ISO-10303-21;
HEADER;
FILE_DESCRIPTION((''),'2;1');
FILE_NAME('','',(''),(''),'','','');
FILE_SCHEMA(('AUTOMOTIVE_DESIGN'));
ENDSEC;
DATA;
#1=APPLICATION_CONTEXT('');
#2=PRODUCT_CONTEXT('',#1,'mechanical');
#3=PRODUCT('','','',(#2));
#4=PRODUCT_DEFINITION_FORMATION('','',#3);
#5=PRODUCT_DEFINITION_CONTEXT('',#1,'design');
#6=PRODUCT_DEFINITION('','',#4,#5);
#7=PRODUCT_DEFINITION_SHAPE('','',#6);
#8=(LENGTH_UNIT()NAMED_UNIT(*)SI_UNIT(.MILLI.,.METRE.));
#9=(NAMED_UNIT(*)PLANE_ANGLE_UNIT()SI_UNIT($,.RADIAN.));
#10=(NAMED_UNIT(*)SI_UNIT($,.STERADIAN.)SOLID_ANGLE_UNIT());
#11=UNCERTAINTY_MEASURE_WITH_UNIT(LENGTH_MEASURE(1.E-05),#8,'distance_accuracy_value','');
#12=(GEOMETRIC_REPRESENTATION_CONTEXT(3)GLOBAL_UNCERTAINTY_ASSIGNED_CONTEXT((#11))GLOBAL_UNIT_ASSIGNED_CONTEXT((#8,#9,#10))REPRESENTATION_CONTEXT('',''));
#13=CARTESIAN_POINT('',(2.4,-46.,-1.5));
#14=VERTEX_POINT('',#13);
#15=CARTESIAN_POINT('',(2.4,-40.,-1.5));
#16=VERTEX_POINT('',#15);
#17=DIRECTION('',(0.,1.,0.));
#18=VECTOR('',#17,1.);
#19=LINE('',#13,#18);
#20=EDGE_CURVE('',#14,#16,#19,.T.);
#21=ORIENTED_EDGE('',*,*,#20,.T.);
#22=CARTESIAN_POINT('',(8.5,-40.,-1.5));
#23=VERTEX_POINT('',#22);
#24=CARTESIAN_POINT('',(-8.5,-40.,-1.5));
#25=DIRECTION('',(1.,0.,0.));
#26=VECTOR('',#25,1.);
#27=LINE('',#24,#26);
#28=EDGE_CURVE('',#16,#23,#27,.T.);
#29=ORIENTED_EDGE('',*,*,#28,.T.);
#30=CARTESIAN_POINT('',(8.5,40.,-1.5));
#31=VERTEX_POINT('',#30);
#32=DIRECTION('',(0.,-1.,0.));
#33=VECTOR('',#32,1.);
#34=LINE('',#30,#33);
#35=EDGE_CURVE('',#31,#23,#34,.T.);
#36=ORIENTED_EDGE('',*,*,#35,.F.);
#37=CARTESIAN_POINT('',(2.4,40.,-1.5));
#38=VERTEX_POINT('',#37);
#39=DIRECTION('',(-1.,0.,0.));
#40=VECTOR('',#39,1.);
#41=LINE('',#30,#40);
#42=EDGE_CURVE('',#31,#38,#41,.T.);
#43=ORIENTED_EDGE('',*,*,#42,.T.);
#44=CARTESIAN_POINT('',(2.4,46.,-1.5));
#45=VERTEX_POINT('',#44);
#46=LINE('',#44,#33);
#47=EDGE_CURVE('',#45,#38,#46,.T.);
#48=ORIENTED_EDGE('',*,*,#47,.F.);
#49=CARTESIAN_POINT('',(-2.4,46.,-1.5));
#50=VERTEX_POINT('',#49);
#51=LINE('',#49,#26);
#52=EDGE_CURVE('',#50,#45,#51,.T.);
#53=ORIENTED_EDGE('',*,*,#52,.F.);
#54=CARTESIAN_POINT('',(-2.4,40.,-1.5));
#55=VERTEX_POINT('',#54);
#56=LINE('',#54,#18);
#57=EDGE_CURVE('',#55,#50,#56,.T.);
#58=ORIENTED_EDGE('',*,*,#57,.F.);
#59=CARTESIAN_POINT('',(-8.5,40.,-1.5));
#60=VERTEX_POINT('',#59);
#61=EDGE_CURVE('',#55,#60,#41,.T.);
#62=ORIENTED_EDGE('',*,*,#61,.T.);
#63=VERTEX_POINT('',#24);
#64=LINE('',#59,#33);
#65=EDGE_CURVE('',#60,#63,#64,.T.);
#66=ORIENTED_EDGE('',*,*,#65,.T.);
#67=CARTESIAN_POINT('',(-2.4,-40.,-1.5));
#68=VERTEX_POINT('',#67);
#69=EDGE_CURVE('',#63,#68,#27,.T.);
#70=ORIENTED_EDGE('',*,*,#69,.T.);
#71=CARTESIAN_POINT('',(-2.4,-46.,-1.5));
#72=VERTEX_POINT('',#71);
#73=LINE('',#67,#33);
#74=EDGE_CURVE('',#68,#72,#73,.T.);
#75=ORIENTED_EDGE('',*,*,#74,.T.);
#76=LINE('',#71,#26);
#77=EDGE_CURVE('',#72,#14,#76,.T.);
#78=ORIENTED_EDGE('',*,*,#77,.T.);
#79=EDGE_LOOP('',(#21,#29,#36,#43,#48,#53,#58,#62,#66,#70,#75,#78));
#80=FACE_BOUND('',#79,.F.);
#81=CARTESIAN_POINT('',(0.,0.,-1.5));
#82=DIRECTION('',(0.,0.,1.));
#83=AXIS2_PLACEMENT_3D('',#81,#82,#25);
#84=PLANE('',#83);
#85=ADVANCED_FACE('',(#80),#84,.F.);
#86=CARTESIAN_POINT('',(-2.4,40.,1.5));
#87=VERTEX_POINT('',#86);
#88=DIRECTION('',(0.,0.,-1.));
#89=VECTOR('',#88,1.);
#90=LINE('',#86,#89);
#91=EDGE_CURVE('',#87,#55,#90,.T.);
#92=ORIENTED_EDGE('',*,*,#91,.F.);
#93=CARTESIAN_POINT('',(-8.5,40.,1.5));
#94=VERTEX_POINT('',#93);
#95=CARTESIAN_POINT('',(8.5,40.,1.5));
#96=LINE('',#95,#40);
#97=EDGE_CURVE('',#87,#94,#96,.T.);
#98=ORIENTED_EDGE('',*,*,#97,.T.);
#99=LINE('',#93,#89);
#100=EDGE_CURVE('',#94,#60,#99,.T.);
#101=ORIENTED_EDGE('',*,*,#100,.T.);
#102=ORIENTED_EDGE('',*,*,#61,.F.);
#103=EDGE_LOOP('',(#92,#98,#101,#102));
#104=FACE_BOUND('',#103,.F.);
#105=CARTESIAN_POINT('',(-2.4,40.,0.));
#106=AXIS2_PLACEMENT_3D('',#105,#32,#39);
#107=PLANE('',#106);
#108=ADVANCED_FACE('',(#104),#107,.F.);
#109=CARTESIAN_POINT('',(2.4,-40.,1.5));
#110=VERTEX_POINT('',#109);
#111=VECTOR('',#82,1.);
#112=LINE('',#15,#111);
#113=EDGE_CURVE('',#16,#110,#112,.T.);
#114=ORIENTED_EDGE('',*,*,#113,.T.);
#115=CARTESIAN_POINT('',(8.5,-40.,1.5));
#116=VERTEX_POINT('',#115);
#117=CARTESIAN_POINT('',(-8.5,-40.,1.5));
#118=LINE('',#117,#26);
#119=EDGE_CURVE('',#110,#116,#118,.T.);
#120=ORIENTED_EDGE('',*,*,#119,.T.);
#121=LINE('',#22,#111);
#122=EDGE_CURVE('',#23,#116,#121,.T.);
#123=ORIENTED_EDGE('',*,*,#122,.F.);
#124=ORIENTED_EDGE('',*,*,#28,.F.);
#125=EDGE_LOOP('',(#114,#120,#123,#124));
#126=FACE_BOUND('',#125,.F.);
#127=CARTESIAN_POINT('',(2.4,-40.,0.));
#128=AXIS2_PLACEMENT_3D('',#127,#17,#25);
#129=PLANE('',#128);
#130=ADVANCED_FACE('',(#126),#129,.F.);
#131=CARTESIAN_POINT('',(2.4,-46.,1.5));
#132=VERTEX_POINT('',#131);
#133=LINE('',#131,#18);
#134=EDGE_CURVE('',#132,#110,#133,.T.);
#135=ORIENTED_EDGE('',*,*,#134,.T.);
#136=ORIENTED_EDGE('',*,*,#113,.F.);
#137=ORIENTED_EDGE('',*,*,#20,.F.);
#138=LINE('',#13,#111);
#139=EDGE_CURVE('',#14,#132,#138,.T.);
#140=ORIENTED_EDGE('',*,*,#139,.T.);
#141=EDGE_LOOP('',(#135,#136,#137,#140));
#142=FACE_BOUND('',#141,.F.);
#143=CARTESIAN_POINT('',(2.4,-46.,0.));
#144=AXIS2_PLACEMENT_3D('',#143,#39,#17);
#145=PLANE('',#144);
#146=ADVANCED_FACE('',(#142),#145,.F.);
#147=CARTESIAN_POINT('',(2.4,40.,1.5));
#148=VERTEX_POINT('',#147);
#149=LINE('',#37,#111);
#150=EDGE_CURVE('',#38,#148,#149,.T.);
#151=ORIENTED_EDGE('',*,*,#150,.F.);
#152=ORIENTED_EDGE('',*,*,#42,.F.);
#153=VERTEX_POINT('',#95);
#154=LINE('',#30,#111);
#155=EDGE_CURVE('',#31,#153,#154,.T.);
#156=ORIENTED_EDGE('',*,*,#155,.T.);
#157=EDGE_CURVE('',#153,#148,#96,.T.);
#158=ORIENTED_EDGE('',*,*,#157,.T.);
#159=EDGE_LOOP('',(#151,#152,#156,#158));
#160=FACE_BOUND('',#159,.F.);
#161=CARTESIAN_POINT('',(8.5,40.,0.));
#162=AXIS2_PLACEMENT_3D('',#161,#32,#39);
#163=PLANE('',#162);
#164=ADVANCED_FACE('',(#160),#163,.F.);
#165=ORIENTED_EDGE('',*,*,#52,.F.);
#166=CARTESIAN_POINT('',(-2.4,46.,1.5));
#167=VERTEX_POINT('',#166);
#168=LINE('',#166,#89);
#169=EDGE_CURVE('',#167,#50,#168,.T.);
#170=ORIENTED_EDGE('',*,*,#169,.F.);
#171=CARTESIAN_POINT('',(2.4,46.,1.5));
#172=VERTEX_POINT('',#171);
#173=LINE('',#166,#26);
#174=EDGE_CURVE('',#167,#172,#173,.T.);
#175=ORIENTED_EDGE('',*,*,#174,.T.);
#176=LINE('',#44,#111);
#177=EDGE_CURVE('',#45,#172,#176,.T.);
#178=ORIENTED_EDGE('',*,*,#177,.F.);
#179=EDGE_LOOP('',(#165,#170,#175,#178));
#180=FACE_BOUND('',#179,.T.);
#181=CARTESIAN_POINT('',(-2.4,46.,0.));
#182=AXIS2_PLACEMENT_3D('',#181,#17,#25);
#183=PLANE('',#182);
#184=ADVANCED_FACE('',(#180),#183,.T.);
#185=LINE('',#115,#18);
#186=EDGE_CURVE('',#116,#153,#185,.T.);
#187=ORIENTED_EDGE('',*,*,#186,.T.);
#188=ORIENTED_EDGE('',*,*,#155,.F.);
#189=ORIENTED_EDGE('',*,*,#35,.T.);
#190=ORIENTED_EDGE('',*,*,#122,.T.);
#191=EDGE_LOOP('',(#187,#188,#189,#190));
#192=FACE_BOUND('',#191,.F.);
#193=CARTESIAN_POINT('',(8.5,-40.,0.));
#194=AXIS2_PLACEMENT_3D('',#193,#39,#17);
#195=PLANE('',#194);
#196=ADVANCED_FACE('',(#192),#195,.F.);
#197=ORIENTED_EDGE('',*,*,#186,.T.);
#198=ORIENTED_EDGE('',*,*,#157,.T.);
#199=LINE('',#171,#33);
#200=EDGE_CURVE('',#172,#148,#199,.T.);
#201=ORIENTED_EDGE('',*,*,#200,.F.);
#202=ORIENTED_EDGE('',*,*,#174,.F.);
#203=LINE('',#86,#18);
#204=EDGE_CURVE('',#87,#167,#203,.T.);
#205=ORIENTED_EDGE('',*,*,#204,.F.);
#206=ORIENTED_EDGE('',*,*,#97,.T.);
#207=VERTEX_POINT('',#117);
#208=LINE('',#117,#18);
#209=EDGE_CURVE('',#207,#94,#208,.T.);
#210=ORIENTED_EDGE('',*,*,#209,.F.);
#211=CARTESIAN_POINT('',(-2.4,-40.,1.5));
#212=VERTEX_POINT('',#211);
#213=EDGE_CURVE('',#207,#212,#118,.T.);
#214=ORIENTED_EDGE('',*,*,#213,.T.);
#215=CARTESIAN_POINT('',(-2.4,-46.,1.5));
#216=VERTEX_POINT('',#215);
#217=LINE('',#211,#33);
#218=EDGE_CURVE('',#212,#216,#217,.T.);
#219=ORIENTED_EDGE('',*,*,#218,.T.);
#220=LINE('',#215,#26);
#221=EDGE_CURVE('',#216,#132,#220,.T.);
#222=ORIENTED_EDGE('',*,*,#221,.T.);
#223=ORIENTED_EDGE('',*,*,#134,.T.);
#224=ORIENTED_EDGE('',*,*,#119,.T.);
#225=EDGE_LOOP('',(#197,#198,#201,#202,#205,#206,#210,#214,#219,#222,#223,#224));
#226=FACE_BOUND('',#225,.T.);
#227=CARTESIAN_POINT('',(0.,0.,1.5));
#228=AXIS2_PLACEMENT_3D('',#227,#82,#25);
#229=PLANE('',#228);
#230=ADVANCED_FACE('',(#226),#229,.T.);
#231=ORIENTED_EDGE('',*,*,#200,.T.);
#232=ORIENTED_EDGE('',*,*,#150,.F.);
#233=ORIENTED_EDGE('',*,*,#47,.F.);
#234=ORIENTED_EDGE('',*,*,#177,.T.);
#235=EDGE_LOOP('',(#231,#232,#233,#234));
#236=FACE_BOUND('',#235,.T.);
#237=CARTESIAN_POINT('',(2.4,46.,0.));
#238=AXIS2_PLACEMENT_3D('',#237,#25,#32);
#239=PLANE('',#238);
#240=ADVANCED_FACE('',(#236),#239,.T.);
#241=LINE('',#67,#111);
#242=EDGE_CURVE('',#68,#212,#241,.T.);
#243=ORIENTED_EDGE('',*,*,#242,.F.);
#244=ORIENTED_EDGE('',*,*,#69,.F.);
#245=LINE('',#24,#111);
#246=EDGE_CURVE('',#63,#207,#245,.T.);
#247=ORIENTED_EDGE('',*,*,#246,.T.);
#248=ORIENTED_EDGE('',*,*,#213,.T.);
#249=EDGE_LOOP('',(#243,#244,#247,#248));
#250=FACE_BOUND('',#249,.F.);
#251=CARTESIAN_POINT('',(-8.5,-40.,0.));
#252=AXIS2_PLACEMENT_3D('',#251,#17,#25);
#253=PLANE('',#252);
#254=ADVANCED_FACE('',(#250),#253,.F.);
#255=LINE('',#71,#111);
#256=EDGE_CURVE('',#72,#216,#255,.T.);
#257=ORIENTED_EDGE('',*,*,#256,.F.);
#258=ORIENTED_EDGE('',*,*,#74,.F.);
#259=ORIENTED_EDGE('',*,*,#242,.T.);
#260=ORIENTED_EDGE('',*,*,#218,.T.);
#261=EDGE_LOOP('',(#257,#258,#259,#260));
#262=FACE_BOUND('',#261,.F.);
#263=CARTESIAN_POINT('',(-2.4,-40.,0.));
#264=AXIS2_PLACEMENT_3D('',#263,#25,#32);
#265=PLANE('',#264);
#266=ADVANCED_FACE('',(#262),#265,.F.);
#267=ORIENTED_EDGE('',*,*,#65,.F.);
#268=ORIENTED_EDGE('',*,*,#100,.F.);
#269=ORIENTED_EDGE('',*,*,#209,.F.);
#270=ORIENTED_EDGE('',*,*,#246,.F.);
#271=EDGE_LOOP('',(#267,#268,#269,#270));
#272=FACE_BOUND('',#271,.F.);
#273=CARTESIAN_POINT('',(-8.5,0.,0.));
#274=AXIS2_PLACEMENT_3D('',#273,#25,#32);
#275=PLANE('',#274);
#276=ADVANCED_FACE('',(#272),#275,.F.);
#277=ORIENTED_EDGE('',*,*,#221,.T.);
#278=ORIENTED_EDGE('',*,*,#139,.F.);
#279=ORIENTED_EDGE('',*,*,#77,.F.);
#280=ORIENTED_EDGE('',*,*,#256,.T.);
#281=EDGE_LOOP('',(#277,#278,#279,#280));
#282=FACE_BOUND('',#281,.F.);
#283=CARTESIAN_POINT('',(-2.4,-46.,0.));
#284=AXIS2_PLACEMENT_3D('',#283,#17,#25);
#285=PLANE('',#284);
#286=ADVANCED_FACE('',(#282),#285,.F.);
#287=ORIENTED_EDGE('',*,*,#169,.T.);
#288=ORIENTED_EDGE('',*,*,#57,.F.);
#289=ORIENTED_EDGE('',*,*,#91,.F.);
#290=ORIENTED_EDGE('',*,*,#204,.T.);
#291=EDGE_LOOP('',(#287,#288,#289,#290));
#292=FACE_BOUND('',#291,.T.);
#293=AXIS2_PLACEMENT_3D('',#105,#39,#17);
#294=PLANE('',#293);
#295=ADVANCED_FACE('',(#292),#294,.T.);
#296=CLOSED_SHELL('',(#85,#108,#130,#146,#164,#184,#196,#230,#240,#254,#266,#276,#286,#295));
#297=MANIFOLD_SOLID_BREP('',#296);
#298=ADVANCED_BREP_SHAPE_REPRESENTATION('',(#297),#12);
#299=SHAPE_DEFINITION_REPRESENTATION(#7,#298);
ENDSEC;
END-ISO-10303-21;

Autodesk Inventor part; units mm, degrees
ref_plane "YZ Plane" through (0, 0, 0) normal (1, 0, 0) x (0, 1, 0)
ref_plane "XZ Plane" through (0, 0, 0) normal (0, 1, 0) x (-1, 0, 0)
ref_plane "XY Plane" through (0, 0, 0) normal (0, 0, 1) x (1, 0, 0)
sketch "Sketch1" plane through (0, 0, 0) normal (0, 0, 1) x (1, 0, 0)
  line L0 (-8.5, -40) -> (8.5, -40)
  line L1 (8.5, -40) -> (8.5, 40)
  line L2 (8.5, 40) -> (-8.5, 40)
  line L3 (-8.5, 40) -> (-8.5, -40)
  line L4 (-8.5, -40) -> (8.5, 40) construction
  line L5 (8.5, -40) -> (-8.5, 40) construction
  line L6 (-2.4, 46) -> (2.4, 46)
  line L7 (2.4, 46) -> (2.4, 40)
  line L8 (2.4, 40) -> (-2.4, 40)
  line L9 (-2.4, 40) -> (-2.4, 46)
  line L10 (-2.4, 46) -> (2.4, 40) construction
  line L11 (2.4, 46) -> (-2.4, 40) construction
  line L12 (-8.5, 0) -> (8.5, 0)
  line L13 (-2.4, -46) -> (2.4, -46)
  line L14 (2.4, -46) -> (2.4, -40)
  line L15 (2.4, -40) -> (-2.4, -40)
  line L16 (-2.4, -40) -> (-2.4, -46)
  line L17 (-2.4, -46) -> (2.4, -40) construction
  line L18 (2.4, -46) -> (-2.4, -40) construction
  point P0 (0, 0)
  point P1 (0, 43)
  point P2 (0, 40)
  point P3 (0, 40)
  point P4 (0, -43)
  point P5 (0, -40)
  point P6 (0, -40)
  point P7 (-2.4, -40)
  point P8 (2.4, -40)
  dimension "d0" = 17
  dimension "d1" = 80
  dimension "d2" = 4.8
  dimension "d3" = 6
extrude "Plate1" add sketch "Sketch1" along normal mid plane 3
equation "\"d4\" = Thickness"
equation "\"BendRadius\" = Thickness"
equation "\"BendReliefWidth\" = Thickness"
equation "\"BendReliefDepth\" = 0.5 * Thickness"
equation "\"CornerReliefSize\" = 4 * Thickness"
equation "\"MinimumRemnant\" = 2 * Thickness"
equation "\"TransitionRadius\" = BendRadius"
equation "\"JacobiRadiusSize\" = BendRadius"
equation "\"GapSize\" = Thickness"
equation "\"Thickness\" = 3"
properties part number "Path Holder"
